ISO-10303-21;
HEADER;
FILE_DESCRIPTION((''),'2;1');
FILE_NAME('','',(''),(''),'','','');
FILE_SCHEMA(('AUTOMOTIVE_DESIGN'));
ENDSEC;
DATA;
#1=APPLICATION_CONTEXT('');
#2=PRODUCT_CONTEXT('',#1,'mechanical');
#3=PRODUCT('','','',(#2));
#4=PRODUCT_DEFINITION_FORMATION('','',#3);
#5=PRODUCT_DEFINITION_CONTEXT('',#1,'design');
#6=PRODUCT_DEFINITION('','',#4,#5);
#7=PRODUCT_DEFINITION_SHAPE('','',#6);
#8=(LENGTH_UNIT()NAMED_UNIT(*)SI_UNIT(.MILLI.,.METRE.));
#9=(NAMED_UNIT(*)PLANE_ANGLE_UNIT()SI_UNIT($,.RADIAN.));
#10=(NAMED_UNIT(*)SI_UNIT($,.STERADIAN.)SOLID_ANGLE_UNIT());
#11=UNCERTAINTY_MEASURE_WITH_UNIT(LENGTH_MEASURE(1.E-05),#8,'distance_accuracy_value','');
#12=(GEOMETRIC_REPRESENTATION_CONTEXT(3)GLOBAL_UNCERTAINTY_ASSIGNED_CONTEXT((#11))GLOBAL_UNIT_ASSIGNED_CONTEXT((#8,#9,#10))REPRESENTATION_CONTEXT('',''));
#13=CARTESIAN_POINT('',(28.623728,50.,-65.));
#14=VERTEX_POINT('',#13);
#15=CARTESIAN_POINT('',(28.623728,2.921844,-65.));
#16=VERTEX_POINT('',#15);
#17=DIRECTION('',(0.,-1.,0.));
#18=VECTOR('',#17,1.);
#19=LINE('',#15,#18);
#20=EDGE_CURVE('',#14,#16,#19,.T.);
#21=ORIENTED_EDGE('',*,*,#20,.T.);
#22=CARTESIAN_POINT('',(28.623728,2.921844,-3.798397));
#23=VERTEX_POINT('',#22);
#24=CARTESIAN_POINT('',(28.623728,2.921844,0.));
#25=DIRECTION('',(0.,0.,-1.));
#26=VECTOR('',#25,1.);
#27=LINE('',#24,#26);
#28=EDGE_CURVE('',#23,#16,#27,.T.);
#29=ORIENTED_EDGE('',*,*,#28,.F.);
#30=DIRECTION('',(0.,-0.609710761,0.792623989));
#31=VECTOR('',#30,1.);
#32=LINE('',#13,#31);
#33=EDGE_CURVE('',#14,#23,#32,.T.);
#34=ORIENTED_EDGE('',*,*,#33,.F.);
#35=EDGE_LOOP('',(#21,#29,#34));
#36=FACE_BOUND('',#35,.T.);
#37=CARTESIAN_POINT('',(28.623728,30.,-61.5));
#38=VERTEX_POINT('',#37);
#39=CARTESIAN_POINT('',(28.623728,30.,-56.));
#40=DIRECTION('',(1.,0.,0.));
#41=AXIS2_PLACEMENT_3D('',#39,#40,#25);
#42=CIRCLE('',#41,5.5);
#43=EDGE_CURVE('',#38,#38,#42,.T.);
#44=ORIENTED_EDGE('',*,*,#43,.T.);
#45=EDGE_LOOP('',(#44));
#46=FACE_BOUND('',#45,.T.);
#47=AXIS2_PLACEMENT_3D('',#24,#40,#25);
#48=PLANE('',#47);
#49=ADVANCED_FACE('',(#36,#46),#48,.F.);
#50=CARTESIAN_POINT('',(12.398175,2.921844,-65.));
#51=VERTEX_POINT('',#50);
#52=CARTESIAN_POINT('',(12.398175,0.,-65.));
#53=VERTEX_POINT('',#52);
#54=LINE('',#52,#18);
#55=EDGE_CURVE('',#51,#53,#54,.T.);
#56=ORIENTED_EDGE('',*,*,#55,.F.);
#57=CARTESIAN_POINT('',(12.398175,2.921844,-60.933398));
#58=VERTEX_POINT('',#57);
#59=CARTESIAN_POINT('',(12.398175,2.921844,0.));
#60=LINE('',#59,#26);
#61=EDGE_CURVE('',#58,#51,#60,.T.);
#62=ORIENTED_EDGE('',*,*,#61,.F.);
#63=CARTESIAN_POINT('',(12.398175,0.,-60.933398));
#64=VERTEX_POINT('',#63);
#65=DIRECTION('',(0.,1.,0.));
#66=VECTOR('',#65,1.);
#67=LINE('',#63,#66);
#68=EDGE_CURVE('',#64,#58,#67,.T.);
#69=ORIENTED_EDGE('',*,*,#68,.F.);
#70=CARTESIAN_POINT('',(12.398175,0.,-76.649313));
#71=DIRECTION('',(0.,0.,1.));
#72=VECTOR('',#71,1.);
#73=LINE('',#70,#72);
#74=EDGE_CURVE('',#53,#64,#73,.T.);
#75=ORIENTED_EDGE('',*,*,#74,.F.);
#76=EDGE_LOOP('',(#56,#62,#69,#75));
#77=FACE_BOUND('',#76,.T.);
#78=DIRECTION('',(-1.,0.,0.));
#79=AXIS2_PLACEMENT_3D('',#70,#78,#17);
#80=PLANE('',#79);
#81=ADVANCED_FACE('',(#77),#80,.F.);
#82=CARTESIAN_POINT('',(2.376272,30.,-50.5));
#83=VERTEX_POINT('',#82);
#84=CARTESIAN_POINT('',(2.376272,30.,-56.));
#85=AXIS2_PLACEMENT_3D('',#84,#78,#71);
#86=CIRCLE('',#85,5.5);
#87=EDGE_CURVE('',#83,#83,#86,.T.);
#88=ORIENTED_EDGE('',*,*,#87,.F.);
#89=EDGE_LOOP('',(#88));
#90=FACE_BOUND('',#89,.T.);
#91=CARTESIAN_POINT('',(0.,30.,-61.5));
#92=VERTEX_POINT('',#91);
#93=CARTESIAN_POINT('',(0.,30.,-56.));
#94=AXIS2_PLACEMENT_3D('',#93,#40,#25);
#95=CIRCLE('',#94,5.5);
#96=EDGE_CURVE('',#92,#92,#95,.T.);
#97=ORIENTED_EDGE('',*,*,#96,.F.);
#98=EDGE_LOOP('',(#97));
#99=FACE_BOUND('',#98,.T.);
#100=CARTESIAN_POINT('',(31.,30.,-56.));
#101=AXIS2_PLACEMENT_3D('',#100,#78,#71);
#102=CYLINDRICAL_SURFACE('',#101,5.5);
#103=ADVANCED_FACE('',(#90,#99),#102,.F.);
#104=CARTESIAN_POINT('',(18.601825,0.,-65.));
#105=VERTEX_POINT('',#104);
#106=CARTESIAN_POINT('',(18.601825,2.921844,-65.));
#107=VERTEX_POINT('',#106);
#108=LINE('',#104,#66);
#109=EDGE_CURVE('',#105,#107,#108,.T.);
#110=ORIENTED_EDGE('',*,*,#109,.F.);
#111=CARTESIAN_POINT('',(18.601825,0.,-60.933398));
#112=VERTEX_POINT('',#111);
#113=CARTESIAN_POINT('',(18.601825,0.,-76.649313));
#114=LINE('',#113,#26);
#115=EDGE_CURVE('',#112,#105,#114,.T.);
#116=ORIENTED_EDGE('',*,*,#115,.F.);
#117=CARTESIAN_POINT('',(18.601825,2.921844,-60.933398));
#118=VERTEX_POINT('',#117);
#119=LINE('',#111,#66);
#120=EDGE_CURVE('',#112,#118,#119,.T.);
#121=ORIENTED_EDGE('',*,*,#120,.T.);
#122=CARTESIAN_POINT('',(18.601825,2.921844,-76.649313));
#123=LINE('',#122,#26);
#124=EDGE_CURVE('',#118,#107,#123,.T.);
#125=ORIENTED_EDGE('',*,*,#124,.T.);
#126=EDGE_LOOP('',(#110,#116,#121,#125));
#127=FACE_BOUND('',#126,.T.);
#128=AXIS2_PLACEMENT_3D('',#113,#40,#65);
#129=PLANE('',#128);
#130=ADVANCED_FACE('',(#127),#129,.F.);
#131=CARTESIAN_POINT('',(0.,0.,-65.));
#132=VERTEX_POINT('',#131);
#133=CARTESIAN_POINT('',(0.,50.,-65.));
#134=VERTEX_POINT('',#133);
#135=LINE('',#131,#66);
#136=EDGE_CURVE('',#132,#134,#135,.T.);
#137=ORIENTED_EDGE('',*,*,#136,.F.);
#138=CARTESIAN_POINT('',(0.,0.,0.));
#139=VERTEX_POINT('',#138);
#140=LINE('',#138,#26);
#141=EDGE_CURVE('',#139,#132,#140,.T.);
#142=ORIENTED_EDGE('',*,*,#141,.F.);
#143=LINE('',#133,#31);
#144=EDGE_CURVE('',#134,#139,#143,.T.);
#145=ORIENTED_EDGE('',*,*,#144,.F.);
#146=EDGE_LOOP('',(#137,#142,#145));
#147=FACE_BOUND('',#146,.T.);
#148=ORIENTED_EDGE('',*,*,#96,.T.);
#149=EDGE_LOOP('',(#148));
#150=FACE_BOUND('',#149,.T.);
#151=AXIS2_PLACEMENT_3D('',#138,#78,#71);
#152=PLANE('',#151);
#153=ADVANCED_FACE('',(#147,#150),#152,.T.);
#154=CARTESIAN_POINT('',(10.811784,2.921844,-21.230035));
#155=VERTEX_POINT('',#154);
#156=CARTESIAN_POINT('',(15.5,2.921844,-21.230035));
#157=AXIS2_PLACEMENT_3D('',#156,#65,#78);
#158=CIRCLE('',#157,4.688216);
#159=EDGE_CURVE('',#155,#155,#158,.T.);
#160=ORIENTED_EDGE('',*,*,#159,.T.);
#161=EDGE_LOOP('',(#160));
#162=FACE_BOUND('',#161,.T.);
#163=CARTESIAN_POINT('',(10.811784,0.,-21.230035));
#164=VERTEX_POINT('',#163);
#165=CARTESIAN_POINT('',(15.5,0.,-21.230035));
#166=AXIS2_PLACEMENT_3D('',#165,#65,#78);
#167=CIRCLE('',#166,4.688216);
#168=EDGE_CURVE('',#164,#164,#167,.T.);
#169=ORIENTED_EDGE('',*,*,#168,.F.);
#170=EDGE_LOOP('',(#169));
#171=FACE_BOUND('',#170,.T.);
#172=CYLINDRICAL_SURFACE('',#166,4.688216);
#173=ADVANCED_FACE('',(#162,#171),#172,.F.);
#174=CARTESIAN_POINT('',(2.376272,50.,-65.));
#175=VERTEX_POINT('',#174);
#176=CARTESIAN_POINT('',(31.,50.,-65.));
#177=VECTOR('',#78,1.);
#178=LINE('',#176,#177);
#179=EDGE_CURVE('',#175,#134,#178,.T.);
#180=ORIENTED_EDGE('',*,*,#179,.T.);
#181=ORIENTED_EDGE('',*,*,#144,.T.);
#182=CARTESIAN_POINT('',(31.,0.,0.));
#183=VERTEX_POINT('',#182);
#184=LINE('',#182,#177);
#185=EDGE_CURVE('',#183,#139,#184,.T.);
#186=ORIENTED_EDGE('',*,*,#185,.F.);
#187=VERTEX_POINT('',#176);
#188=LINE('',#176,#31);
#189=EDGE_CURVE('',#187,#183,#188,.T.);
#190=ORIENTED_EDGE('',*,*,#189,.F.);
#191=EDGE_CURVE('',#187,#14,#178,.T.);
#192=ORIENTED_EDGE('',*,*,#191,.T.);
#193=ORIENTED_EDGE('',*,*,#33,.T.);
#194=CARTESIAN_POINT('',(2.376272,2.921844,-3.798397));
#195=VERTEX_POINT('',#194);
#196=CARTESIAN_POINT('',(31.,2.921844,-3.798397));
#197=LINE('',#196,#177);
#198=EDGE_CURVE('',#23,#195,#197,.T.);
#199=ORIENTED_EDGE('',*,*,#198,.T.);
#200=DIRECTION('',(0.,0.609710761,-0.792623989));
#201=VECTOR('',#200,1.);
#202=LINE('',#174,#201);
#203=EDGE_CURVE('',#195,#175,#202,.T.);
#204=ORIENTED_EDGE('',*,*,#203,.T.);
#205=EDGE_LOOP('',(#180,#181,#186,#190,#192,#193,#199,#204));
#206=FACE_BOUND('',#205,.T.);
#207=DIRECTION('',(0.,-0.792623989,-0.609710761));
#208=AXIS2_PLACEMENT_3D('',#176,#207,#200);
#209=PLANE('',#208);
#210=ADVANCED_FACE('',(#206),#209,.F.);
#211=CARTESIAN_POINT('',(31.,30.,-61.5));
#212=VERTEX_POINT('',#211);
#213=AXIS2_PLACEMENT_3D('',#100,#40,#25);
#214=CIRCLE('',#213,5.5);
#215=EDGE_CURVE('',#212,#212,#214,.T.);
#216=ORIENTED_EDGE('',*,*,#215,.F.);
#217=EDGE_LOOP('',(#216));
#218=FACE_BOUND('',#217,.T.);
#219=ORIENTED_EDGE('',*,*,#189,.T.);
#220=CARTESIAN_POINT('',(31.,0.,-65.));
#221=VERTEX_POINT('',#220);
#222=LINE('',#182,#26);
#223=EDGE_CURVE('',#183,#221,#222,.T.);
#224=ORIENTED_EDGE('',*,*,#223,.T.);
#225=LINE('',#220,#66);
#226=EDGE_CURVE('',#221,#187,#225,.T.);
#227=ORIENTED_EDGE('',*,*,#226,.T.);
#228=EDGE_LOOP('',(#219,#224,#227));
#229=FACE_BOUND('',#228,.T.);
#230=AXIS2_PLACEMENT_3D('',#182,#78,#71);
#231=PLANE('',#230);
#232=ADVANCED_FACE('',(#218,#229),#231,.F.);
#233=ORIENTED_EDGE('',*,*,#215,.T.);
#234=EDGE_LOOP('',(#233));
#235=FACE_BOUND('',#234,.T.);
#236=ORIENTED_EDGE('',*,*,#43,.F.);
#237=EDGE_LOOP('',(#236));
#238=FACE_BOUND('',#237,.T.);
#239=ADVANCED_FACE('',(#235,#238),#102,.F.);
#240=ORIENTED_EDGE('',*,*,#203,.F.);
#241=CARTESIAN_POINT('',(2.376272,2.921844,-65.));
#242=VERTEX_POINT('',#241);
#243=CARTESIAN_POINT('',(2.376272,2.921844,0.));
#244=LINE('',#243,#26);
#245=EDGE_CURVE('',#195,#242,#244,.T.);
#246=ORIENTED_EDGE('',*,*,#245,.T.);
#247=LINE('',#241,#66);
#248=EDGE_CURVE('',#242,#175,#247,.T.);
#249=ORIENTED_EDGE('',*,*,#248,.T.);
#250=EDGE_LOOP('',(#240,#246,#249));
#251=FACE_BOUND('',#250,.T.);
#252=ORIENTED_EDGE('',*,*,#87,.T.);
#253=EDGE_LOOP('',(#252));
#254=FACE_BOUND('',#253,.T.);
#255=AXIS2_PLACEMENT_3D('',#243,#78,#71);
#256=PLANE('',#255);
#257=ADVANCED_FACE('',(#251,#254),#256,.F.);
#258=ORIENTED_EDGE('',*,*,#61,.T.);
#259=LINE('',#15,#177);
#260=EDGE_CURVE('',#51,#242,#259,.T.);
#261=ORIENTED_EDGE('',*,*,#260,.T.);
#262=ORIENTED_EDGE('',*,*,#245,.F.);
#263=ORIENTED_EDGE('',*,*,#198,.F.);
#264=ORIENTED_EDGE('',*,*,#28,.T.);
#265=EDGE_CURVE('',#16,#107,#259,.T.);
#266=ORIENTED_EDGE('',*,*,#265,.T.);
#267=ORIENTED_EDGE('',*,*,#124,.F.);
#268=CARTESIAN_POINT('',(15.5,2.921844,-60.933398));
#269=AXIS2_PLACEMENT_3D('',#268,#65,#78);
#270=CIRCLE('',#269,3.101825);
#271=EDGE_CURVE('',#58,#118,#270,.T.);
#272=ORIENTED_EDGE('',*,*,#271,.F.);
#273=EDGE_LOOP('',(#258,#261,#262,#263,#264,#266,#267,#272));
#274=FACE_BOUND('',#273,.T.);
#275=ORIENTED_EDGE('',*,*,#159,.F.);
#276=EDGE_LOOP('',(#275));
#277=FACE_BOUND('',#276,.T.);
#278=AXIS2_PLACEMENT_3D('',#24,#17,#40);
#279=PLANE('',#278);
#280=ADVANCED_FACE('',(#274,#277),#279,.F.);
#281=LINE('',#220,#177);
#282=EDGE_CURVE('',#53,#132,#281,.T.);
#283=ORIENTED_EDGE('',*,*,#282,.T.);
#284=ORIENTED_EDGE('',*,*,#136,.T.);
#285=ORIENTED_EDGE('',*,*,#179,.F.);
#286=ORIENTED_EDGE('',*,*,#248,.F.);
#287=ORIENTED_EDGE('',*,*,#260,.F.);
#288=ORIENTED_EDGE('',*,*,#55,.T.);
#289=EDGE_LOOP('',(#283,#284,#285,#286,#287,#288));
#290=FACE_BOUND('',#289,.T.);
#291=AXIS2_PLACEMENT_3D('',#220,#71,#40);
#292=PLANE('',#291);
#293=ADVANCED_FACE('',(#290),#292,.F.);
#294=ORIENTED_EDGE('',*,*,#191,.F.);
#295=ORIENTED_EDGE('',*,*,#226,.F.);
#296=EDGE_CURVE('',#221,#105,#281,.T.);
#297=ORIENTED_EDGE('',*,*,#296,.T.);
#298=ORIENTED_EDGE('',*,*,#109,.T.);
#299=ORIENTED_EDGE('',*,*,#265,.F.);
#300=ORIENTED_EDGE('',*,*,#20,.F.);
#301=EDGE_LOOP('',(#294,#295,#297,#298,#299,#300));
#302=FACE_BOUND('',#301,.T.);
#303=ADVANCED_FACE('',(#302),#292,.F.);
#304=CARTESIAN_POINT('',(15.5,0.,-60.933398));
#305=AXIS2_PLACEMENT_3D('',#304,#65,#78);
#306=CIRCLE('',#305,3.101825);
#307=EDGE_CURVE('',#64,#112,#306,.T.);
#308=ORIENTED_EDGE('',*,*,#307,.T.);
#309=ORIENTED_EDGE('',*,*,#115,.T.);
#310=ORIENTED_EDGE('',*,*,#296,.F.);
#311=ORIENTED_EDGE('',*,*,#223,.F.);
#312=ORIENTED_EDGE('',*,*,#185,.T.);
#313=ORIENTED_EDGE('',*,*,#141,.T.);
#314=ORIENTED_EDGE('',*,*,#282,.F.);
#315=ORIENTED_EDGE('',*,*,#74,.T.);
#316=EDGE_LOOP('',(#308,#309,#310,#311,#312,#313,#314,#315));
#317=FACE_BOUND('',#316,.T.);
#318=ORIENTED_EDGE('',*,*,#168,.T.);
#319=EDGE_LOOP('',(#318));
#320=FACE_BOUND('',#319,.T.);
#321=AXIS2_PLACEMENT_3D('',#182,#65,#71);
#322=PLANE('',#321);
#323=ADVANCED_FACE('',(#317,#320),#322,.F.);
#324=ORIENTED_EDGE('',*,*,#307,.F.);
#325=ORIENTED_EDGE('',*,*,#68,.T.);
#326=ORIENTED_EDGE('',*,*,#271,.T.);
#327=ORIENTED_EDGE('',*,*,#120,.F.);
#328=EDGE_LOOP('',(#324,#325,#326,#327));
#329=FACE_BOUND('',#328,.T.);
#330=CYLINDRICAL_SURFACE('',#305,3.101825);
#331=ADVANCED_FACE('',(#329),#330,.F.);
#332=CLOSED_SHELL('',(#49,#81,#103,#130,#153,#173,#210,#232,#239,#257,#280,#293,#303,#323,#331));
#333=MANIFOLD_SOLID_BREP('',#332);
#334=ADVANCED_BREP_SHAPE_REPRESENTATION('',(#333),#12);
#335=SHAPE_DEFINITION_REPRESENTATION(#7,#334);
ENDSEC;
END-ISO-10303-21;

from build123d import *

# Parameters (mm, degrees)
SKETCH1_R           = 5.5
BOSS_EXTRUDE1_DEPTH = 31
SKETCH2_W           = 26.247455066
SKETCH2_H           = 52.217390052
CUT_EXTRUDE1_DEPTH  = 88.669835177
SKETCH5_R           = 4.688216148
CUT_EXTRUDE2_DEPTH  = 87.036927024


with BuildPart() as part:
    # Sketch1 → Boss-Extrude1 (new body)
    with BuildSketch(Plane(origin=(0, 0, 0), x_dir=(0, 0, -1), z_dir=(1, 0, 0))):
        Polygon((0, 0), (65, 0), (65, 50), align=None)
        with Locations((56, 30)):
            Circle(SKETCH1_R, mode=Mode.SUBTRACT)
    extrude(amount=BOSS_EXTRUDE1_DEPTH)

    # Sketch2 → Cut-Extrude1 (cut, through all)
    with BuildSketch(Plane(origin=(0, 0, -65), x_dir=(-1, 0, 0), z_dir=(0, 0, -1))):
        with Locations((-15.5, 29.030538608)):
            Rectangle(SKETCH2_W, SKETCH2_H)
    extrude(amount=-CUT_EXTRUDE1_DEPTH, mode=Mode.SUBTRACT)

    # Sketch5 → Cut-Extrude2 (cut, through all)
    with BuildSketch(Plane(origin=(0, 2.921843582, 0), x_dir=(1, 0, 0), z_dir=(0, 1, 0))):
        with Locations(Location((15.5, 21.230034951, 0), (0, 0, 180))):
            Circle(SKETCH5_R)
        with BuildLine():
            Line((18.601825243, 76.649312621), (18.601825243, 60.933398058))
            ThreePointArc((18.601825243, 60.933398058), (15.5, 57.831572816), (12.398174757, 60.933398058))
            Line((12.398174757, 60.933398058), (12.398174757, 76.649312621))
            ThreePointArc((12.398174757, 76.649312621), (15.5, 79.751137864), (18.601825243, 76.649312621))
        make_face()
    extrude(amount=-CUT_EXTRUDE2_DEPTH, mode=Mode.SUBTRACT)


solid = part.part
